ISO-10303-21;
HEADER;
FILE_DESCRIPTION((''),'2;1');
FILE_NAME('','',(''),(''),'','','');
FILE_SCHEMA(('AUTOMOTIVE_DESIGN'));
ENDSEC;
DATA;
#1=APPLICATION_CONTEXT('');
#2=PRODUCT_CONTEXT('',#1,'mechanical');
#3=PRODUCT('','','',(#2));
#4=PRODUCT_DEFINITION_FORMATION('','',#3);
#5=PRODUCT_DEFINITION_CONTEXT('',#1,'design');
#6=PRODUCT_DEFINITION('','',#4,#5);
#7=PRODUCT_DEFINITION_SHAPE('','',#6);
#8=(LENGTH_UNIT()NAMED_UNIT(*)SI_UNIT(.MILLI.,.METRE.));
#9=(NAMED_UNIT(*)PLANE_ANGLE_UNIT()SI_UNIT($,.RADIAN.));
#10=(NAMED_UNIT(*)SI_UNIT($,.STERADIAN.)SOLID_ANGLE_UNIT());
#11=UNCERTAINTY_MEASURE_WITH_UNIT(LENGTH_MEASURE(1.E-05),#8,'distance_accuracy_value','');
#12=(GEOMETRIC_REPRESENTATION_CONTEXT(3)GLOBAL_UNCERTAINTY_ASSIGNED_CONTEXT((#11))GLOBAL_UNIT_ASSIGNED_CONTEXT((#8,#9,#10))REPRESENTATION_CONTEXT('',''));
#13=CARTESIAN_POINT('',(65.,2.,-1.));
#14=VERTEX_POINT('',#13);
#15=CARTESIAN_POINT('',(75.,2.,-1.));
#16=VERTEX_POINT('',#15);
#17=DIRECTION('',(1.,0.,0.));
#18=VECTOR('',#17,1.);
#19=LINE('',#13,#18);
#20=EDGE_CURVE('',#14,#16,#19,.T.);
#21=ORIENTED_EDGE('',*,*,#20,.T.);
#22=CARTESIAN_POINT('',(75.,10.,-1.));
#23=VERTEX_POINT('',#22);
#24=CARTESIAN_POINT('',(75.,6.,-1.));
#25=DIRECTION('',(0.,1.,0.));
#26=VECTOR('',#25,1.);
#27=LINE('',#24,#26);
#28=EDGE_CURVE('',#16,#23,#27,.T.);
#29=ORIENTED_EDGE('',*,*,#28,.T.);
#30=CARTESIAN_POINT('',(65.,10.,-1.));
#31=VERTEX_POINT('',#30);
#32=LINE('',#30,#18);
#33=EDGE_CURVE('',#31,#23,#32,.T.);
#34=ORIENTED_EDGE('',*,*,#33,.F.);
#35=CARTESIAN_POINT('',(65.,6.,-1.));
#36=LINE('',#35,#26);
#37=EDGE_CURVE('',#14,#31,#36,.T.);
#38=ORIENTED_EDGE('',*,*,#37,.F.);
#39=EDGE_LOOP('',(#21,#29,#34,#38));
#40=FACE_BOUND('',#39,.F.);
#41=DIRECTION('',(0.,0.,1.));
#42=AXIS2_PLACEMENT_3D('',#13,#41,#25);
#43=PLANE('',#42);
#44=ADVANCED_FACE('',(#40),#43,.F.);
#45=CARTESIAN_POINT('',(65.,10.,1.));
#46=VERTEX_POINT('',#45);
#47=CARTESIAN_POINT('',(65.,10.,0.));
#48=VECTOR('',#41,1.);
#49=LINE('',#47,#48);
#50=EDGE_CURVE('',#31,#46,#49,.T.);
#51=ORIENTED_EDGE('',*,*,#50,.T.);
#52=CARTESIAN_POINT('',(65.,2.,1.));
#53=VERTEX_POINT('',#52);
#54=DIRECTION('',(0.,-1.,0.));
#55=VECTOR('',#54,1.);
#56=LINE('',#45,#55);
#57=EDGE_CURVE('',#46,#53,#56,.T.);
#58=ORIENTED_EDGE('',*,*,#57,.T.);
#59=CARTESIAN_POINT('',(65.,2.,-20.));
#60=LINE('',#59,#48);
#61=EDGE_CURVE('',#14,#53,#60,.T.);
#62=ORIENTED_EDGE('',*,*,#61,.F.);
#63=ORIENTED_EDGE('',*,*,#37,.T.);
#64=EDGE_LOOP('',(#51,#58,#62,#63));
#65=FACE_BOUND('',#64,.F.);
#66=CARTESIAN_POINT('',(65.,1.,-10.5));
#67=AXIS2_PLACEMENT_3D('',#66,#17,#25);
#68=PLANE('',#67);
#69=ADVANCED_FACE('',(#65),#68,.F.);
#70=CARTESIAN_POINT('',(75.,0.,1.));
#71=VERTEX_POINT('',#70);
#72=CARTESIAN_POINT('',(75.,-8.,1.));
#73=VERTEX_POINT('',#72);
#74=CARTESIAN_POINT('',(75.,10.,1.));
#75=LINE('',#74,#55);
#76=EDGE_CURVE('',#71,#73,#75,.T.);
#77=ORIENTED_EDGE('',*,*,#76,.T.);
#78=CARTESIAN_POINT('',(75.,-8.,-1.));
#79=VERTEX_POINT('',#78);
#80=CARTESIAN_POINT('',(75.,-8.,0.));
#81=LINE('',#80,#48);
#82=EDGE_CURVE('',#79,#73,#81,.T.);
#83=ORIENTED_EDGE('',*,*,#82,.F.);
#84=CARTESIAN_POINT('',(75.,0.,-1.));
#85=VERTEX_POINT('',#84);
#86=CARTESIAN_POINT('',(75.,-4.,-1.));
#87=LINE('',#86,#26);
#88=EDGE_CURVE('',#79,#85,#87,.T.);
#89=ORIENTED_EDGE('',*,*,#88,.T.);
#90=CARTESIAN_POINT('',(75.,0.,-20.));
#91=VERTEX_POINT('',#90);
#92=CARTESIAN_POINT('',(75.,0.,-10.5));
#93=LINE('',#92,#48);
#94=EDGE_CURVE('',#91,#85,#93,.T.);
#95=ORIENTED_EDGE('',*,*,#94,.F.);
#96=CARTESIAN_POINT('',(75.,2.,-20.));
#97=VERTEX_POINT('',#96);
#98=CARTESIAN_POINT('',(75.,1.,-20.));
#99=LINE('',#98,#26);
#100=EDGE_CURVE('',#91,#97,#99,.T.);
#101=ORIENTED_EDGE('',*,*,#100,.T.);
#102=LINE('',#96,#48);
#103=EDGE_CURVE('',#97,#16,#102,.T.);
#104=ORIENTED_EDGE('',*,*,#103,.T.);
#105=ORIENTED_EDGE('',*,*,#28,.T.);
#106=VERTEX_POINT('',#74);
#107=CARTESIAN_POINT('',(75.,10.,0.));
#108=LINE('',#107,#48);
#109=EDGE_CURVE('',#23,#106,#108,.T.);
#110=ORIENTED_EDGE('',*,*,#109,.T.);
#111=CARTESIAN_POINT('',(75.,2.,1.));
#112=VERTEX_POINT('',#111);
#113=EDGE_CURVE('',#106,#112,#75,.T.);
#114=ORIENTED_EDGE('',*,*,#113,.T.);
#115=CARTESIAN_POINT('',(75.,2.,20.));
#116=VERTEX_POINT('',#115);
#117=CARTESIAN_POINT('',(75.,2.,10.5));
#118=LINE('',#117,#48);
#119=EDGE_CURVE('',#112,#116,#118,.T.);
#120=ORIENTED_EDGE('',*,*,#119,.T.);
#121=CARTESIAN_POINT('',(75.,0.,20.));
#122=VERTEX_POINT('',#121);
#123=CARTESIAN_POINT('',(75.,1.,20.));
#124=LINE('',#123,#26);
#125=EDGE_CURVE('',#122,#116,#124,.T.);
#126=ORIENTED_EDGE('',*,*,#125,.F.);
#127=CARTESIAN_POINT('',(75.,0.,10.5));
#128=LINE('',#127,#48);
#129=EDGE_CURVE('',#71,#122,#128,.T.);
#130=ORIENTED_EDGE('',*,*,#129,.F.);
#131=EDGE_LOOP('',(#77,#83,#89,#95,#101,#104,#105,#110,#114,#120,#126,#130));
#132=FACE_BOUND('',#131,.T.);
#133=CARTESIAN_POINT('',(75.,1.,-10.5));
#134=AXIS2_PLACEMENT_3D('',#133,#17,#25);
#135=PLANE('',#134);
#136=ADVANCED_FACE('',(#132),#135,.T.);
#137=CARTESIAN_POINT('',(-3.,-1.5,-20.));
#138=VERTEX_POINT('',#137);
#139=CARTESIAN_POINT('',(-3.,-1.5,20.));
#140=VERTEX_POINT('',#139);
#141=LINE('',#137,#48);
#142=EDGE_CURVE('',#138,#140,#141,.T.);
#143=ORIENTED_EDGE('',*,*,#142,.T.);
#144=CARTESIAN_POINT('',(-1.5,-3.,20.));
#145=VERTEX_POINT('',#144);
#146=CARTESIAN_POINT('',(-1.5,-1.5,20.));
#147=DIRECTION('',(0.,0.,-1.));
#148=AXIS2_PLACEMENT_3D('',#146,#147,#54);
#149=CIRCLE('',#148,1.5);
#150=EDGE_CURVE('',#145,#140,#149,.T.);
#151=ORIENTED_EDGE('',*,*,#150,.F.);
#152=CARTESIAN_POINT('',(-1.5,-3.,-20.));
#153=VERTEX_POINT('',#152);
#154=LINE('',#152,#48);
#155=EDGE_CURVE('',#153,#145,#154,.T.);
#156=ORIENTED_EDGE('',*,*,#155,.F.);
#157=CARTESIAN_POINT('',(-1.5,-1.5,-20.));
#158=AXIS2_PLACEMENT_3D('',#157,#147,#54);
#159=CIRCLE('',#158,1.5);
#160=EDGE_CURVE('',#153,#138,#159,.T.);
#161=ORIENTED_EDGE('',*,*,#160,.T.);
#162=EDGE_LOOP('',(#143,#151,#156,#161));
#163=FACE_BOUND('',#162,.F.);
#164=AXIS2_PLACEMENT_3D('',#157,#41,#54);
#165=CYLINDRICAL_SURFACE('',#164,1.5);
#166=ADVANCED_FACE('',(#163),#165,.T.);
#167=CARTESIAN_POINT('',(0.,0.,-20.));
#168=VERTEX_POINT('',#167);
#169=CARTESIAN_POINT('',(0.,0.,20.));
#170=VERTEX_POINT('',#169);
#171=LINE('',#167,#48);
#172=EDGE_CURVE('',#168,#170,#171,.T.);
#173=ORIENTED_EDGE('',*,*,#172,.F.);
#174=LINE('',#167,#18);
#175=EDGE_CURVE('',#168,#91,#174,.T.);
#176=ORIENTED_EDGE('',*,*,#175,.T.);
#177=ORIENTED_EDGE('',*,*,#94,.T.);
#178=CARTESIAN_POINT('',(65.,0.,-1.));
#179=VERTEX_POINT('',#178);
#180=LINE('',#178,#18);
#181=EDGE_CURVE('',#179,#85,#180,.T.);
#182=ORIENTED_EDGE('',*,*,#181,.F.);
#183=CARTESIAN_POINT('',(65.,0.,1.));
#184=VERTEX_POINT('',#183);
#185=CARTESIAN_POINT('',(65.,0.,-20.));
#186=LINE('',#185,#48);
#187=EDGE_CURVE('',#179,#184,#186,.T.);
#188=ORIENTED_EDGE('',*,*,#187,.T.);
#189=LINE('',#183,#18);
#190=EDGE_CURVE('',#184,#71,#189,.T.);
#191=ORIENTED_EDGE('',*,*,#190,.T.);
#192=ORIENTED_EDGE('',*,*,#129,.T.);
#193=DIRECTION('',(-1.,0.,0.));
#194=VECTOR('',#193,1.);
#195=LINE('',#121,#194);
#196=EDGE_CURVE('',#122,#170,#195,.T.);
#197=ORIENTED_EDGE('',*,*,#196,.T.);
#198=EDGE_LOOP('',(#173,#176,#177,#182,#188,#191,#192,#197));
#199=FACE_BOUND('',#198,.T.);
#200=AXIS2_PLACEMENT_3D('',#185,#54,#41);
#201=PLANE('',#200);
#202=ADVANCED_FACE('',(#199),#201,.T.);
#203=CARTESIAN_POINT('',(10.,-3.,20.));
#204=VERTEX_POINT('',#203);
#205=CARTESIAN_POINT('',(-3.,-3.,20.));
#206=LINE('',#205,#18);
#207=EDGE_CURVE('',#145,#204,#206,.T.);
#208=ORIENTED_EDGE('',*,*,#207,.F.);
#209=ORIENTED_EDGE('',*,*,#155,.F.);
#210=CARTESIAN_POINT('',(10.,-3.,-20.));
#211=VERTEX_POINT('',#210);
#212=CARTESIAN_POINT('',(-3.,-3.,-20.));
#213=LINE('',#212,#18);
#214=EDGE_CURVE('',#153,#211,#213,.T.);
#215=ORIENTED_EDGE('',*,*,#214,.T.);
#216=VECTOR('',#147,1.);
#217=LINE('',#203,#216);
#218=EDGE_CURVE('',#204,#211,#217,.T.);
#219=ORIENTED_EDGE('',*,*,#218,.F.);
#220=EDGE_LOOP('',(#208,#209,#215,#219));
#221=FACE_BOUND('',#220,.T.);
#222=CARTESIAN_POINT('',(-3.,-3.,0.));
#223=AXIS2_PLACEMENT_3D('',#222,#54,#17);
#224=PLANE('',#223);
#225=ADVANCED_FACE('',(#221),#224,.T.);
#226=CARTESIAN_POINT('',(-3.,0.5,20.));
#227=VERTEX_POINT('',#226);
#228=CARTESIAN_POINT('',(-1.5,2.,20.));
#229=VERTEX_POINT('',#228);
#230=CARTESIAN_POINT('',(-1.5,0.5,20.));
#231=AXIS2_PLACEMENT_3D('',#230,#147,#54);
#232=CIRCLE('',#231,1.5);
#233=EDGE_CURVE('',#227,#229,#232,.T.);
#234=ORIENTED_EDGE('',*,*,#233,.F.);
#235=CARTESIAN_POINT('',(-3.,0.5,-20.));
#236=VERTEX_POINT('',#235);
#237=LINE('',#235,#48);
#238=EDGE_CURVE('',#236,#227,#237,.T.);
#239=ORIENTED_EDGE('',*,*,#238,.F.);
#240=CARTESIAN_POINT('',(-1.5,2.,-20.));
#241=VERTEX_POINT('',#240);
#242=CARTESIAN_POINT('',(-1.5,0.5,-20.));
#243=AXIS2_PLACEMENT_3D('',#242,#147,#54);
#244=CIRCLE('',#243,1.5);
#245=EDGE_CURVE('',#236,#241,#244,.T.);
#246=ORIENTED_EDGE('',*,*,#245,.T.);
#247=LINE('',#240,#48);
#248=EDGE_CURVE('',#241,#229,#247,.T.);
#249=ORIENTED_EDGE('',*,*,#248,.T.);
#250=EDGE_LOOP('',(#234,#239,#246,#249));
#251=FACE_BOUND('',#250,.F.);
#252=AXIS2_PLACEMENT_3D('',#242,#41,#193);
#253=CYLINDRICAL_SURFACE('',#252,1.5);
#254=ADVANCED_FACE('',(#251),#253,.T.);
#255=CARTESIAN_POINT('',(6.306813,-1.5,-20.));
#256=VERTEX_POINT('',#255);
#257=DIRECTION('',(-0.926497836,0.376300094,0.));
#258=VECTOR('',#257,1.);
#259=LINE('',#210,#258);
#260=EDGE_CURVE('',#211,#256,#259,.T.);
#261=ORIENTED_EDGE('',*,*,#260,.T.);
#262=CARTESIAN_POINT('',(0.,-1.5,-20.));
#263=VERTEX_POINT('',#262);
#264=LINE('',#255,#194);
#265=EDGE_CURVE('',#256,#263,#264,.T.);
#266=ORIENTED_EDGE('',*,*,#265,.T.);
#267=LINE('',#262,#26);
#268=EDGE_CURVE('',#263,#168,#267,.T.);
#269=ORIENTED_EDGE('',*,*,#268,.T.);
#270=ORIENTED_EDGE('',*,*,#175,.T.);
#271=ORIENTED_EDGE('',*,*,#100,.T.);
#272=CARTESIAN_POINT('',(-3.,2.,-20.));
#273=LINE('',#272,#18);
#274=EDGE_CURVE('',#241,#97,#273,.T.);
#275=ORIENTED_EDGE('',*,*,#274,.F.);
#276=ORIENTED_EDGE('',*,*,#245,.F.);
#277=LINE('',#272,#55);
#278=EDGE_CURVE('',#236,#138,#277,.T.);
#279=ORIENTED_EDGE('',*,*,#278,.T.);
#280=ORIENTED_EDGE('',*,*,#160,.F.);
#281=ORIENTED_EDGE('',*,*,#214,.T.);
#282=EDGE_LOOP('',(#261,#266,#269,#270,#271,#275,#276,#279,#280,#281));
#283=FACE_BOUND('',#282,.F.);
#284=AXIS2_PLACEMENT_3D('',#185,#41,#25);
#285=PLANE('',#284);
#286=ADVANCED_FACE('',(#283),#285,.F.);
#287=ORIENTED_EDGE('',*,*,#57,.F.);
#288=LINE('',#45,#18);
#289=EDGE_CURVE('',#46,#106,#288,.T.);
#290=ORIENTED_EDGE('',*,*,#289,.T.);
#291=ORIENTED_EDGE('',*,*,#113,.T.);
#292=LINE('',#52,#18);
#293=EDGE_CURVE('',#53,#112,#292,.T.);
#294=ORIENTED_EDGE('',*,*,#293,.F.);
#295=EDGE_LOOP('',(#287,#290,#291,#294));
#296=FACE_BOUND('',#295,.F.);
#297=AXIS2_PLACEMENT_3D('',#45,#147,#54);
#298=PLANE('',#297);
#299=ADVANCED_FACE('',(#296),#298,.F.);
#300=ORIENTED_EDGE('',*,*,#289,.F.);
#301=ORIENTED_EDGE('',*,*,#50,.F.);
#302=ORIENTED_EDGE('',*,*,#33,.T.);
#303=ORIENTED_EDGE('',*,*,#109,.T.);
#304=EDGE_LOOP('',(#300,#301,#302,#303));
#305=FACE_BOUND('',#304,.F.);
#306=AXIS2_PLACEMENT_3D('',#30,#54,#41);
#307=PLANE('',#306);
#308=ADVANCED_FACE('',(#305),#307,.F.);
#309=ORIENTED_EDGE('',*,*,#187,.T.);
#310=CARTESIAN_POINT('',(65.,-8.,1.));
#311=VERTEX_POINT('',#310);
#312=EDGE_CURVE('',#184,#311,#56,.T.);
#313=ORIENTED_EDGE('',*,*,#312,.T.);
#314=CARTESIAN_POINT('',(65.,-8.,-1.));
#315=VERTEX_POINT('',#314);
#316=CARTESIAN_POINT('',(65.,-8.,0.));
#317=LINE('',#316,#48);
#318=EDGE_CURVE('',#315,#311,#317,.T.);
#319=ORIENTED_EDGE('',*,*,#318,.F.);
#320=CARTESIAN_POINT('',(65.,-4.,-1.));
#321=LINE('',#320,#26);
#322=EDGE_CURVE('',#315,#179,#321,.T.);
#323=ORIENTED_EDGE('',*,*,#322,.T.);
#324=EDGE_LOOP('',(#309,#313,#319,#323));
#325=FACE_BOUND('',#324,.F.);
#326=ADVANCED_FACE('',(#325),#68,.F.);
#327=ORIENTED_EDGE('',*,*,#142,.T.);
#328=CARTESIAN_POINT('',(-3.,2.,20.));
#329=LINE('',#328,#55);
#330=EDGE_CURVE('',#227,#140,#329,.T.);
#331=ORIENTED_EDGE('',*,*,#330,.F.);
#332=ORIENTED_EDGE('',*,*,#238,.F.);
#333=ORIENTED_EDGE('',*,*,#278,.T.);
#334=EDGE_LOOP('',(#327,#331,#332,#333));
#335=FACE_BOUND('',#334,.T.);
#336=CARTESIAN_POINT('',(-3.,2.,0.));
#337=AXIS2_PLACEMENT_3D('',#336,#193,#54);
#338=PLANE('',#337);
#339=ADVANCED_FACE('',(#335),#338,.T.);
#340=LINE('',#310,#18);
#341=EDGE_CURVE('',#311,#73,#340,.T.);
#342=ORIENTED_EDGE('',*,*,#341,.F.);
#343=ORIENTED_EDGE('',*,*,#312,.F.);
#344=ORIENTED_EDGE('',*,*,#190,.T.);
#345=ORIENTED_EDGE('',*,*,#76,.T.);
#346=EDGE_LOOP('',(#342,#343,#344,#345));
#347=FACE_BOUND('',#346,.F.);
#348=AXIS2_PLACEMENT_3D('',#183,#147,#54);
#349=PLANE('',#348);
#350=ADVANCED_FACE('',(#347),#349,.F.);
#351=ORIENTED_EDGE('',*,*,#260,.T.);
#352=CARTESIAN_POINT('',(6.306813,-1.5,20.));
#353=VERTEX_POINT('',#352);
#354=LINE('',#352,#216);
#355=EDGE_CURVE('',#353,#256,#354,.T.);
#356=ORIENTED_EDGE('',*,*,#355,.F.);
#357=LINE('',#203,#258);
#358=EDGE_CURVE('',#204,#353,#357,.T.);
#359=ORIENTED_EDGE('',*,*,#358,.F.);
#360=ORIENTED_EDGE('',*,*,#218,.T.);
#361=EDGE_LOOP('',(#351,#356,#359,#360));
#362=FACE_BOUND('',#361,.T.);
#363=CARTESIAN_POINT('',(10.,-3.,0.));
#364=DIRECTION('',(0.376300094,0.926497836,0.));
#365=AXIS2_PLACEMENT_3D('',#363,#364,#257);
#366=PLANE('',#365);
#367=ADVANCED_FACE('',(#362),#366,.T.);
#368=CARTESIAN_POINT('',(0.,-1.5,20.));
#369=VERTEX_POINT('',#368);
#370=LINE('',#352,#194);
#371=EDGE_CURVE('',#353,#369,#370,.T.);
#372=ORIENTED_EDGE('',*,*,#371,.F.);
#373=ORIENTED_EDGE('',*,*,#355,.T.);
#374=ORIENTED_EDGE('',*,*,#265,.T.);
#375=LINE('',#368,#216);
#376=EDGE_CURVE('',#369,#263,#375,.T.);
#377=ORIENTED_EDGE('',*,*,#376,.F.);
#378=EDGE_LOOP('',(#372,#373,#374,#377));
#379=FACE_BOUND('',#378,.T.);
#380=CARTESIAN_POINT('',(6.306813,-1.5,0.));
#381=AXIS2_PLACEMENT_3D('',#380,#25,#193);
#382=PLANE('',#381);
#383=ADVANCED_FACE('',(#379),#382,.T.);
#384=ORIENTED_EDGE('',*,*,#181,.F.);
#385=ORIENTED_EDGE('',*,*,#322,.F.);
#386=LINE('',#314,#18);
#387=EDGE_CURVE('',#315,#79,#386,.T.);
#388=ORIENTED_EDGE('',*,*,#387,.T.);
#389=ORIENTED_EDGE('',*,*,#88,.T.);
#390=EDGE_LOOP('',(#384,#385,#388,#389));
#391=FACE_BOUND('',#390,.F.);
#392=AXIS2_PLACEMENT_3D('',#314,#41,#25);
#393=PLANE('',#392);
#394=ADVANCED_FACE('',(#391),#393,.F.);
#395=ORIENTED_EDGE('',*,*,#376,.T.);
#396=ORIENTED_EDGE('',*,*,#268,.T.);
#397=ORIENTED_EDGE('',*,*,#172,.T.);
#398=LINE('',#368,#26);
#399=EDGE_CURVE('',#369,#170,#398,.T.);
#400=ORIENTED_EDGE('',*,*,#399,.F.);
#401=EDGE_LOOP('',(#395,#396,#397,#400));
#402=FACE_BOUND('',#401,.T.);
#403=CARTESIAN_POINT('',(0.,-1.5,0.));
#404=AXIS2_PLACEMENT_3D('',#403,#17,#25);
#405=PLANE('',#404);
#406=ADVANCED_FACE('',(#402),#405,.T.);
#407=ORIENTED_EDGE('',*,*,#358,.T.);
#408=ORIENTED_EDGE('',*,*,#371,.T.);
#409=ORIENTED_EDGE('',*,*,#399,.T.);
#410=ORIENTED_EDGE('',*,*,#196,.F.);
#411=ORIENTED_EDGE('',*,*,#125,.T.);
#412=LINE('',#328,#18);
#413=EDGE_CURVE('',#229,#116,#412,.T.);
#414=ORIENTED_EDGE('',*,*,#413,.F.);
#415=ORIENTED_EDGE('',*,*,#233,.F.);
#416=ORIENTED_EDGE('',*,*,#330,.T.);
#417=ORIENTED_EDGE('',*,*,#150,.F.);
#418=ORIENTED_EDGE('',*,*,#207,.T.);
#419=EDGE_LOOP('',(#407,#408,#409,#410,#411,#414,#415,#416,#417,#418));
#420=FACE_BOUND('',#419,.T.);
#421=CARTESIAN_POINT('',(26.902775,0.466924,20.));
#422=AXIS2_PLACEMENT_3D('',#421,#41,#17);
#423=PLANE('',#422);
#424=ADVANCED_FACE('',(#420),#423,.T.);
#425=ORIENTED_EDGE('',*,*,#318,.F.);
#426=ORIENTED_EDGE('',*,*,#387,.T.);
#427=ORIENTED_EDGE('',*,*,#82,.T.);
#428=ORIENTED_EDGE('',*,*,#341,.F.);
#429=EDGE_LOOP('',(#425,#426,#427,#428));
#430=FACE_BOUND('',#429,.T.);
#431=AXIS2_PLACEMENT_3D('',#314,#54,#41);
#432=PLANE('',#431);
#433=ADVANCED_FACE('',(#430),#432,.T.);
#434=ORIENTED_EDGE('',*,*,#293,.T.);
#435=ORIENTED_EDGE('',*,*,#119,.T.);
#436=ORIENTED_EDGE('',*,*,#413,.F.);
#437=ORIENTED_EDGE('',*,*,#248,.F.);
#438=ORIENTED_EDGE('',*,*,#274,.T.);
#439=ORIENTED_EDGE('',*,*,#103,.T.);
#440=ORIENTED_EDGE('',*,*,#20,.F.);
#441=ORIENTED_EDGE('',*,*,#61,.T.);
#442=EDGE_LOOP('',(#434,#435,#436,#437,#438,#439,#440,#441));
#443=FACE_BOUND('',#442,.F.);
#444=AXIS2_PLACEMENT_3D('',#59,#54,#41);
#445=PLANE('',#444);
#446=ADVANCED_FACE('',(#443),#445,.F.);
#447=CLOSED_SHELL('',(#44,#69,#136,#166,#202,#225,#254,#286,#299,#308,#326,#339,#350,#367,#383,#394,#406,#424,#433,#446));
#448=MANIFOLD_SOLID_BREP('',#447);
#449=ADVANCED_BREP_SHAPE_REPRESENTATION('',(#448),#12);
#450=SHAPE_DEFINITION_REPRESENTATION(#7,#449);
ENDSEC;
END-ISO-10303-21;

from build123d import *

# Parameters (mm, degrees)
F1_DEPTH = 20
F2_W     = 2
F2_H     = 18.9999999525
F2_W_2   = 8
F2_H_2   = 2
F2_H_3   = 19.0000000475
F3_DEPTH = 10
F4_R     = 1.5


with BuildPart() as f1:
    # F0 (on Top) → F1 (new body, symmetric)
    with BuildSketch(Plane.XY):
        Polygon((0, -1.5), (0, 0), (65, 0), (65, 2), (-3, 2), (-3, -3), (10, -3), (6.3068126328, -1.5), align=None)
    extrude(amount=F1_DEPTH, both=True)

    # F2 (on face) → F3 (join)
    with BuildSketch(Plane.YZ.offset(65)):
        with Locations((1, -10.5000000237)):
            Rectangle(F2_W, F2_H)
        with Locations((-4, -4.75e-08)):
            Rectangle(F2_W_2, F2_H_2)
        with Locations((1, -4.75e-08)):
            Rectangle(F2_W, F2_H_2)
        with Locations((6, -4.75e-08)):
            Rectangle(F2_W_2, F2_H_2)
        with Locations((1, 10.4999999763)):
            Rectangle(F2_W, F2_H_3)
    extrude(amount=F3_DEPTH)

    # F4
    f4_edges = [f1.edges().sort_by_distance(p)[0] for p in [
        (-3, -3, 0),
        (-3, 2, 0),
    ]]
    fillet(f4_edges, radius=F4_R)


solid = f1.part
